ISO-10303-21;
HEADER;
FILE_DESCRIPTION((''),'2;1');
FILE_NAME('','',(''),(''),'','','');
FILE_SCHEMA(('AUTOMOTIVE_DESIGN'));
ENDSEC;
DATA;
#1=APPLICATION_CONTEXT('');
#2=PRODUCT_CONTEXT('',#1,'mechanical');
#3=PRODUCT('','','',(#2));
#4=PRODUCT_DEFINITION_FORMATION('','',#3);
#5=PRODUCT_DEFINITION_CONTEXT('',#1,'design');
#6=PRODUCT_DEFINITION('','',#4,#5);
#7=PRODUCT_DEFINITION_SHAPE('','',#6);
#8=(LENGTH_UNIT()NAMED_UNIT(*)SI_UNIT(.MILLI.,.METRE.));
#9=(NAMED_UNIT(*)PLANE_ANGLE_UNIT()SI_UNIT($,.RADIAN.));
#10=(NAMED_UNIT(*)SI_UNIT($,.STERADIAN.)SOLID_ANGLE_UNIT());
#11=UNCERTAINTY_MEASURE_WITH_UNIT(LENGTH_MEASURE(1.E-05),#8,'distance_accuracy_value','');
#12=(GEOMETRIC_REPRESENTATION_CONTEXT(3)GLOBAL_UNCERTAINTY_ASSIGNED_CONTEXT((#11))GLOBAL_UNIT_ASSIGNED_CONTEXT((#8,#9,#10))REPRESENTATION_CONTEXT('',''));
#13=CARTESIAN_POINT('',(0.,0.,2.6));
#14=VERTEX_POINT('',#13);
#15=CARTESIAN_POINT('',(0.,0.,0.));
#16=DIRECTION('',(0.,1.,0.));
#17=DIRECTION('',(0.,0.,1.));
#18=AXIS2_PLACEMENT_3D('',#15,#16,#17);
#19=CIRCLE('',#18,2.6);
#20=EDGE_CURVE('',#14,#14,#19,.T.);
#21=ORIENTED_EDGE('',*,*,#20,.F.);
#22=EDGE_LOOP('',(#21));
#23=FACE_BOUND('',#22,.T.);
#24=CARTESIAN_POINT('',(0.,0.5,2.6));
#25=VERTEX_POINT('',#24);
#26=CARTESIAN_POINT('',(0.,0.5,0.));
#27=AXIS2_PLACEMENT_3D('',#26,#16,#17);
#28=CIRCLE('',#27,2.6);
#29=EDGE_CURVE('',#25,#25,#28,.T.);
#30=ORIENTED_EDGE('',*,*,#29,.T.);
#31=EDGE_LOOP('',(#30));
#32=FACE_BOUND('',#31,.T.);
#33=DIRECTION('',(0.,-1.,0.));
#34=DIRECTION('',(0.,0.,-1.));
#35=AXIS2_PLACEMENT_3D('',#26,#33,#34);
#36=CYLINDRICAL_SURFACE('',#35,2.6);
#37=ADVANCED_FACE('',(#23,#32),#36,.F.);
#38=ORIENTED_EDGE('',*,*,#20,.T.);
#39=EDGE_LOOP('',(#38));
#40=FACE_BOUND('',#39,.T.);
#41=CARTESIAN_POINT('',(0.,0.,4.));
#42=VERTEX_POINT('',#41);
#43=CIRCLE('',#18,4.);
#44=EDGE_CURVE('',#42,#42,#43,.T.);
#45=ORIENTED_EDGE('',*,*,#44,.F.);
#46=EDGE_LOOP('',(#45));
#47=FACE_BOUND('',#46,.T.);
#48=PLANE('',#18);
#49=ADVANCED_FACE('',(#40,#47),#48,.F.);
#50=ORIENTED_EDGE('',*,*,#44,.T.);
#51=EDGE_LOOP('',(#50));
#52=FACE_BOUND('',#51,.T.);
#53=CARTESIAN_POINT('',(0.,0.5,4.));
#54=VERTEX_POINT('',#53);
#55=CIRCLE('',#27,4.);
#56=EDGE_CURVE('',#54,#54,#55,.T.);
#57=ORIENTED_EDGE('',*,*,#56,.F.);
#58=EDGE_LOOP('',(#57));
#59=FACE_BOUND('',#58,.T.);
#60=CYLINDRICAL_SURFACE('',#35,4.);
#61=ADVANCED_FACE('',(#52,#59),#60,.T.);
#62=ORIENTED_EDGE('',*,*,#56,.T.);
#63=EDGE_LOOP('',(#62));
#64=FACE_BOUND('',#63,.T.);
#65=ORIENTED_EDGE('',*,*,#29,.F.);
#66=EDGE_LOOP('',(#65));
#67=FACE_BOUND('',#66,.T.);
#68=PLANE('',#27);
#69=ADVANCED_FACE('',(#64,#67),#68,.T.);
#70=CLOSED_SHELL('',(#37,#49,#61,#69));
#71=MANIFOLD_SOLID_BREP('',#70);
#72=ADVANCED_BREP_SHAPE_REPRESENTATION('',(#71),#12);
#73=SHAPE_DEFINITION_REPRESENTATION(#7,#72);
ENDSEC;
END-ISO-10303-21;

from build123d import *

# Parameters (mm, degrees)
SKETCH_1_R      = 4
SKETCH_1_R_2    = 2.6
EXTRUDE_1_DEPTH = 0.5


with BuildPart() as part:
    # Эскиз1 → Бобышка-Вытянуть1 (new body)
    with BuildSketch(Plane(origin=(0, 0, 0), x_dir=(1, 0, 0), z_dir=(0, 1, 0))):
        Circle(SKETCH_1_R)
        Circle(SKETCH_1_R_2, mode=Mode.SUBTRACT)
    extrude(amount=EXTRUDE_1_DEPTH)


solid = part.part
